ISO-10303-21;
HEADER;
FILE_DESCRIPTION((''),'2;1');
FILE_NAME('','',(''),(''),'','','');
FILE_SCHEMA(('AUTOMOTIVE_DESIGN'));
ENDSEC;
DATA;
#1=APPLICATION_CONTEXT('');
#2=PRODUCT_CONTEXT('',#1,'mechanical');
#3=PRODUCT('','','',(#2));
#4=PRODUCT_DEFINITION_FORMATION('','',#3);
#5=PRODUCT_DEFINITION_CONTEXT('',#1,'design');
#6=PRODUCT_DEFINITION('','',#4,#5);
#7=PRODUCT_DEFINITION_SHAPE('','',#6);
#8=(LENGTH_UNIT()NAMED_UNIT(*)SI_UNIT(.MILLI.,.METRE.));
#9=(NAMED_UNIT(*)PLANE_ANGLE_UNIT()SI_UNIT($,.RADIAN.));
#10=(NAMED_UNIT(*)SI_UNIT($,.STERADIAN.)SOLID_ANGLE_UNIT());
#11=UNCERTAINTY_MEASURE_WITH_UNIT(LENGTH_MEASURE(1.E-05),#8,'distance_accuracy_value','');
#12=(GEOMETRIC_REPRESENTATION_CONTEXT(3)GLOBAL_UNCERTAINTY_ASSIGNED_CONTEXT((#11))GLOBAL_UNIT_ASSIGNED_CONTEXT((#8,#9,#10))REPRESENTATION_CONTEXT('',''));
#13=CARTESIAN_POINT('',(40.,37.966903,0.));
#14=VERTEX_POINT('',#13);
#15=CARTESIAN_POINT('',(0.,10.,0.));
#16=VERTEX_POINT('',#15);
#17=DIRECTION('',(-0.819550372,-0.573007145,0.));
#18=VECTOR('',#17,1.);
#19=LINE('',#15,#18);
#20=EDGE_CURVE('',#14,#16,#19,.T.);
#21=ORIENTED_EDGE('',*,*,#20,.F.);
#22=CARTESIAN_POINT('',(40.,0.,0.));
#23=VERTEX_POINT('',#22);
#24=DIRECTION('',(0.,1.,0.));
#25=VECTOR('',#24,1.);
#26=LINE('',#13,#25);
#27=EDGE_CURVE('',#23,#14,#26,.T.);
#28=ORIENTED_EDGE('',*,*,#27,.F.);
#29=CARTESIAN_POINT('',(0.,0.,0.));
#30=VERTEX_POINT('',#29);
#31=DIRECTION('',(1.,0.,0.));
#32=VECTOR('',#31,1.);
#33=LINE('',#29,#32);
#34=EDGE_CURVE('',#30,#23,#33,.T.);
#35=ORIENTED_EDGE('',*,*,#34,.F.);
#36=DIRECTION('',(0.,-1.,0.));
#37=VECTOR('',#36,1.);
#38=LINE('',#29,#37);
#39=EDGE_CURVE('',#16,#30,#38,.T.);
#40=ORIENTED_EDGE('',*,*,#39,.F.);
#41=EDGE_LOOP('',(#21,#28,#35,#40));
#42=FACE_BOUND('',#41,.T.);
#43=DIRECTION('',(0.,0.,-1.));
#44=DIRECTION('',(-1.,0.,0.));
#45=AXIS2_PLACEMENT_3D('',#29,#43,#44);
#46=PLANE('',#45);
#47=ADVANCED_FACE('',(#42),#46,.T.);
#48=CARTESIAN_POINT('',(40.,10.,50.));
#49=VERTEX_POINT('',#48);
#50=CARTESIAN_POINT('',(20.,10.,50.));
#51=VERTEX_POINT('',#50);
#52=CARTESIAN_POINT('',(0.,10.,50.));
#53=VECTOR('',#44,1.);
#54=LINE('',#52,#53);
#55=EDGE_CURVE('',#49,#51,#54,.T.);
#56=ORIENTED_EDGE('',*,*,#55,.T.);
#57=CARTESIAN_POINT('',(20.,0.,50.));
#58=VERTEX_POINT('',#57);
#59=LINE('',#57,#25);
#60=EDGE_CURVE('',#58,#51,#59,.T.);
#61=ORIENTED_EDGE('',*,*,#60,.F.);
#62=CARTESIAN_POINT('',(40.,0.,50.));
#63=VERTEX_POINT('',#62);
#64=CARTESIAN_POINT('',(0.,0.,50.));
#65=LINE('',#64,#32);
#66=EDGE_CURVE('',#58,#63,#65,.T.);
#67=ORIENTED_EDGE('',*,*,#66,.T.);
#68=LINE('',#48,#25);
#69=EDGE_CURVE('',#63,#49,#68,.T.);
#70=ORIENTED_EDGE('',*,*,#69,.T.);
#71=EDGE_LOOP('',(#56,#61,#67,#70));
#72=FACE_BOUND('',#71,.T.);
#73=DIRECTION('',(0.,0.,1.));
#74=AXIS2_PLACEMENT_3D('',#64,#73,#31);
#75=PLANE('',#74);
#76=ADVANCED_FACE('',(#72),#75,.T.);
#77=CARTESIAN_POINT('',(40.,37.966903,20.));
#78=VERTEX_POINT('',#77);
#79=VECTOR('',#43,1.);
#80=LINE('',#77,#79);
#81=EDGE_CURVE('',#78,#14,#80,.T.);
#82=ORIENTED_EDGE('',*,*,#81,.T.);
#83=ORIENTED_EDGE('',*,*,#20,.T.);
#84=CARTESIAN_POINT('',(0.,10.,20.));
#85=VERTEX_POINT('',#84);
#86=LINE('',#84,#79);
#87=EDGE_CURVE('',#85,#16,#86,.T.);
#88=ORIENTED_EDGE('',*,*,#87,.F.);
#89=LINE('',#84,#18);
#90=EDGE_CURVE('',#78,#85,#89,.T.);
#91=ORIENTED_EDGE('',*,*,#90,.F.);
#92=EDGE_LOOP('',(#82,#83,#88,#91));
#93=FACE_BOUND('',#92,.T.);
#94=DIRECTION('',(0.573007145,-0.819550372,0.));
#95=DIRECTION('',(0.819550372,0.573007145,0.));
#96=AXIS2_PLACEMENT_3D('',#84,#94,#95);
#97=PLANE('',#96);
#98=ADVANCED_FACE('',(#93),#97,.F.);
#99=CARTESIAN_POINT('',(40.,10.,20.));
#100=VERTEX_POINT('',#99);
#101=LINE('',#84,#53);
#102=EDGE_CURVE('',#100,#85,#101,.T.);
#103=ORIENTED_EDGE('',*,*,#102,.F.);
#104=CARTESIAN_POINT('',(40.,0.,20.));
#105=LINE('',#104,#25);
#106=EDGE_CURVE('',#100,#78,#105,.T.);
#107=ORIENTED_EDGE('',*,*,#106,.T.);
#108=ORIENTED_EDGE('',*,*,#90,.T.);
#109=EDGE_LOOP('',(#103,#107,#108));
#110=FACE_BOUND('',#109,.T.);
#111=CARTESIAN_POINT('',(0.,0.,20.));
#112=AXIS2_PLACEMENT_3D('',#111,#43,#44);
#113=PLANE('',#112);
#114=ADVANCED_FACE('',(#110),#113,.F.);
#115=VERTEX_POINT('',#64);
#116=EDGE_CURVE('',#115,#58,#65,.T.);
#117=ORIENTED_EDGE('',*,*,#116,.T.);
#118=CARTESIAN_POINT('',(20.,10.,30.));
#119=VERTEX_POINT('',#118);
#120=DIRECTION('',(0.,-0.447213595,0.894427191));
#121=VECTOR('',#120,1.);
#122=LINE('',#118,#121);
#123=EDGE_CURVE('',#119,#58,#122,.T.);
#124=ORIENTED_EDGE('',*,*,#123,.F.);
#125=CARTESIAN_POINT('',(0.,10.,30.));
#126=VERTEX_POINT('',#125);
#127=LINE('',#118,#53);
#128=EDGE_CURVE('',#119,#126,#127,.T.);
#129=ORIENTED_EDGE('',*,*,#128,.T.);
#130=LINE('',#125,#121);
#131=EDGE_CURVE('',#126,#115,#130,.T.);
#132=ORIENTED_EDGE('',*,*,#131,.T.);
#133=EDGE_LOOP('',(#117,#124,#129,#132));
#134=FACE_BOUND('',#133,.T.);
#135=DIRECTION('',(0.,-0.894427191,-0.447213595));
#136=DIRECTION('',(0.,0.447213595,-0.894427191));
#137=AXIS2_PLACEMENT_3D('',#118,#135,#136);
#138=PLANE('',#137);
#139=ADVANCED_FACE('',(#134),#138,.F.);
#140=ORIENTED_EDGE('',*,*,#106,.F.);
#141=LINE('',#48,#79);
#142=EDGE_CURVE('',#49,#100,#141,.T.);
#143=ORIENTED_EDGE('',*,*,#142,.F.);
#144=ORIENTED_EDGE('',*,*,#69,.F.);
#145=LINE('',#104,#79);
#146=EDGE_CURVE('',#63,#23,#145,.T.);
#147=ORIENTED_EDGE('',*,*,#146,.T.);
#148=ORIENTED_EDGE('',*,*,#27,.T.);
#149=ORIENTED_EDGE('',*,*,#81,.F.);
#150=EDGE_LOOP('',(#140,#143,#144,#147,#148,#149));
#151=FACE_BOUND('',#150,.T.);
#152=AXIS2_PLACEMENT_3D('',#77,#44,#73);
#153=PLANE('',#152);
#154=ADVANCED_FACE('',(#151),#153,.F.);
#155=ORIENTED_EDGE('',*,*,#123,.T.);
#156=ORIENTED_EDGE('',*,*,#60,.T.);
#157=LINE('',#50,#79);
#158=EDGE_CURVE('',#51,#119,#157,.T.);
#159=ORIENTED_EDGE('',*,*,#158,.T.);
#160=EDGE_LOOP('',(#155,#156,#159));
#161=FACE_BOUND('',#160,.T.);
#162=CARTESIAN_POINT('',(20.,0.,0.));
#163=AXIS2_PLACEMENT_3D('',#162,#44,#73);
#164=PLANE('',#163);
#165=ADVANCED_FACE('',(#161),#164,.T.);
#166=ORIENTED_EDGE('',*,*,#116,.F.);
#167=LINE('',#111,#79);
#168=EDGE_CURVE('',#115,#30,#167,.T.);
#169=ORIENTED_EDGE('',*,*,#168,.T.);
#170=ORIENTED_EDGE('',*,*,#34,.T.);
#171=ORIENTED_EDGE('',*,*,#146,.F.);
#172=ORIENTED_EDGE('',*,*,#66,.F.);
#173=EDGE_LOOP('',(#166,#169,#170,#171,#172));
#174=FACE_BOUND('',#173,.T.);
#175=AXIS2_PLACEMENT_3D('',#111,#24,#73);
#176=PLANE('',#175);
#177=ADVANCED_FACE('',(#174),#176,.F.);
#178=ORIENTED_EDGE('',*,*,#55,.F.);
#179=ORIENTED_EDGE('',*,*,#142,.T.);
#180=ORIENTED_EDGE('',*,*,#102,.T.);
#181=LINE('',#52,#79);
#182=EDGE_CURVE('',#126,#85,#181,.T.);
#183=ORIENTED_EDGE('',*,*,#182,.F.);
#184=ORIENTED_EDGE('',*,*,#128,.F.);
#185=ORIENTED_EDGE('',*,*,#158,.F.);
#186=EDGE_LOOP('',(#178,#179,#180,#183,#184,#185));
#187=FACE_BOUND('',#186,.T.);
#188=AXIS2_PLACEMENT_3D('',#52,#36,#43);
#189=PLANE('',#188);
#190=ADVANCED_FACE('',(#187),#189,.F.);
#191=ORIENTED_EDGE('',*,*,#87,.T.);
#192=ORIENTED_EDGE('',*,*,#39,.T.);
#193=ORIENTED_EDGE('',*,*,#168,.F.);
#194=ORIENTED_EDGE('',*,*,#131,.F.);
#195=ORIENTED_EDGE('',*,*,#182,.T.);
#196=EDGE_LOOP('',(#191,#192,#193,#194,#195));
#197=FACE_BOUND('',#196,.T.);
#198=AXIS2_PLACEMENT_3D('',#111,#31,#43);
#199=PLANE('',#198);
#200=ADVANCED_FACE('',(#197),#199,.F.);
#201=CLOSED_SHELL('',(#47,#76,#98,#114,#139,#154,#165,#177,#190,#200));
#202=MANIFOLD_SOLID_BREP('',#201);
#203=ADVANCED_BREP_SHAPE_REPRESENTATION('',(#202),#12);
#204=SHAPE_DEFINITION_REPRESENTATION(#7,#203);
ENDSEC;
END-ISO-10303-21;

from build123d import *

# Parameters (mm, degrees)
BOSS_EXTRUDE1_DEPTH = 20
SKETCH3_W           = 40
SKETCH3_H           = 10
BOSS_EXTRUDE2_DEPTH = 30
CUT_EXTRUDE2_DEPTH  = 20


with BuildPart() as part:
    # Sketch1 → Boss-Extrude1 (new body)
    with BuildSketch(Plane.XY):
        Polygon((0, 10), (40, 37.966903073), (40, 10), (40, 0), (0, 0), align=None)
    extrude(amount=BOSS_EXTRUDE1_DEPTH)

    # Sketch3 → Boss-Extrude2 (add)
    with BuildSketch(Plane.XY.offset(20)):
        with Locations((20, 5)):
            Rectangle(SKETCH3_W, SKETCH3_H)
    extrude(amount=BOSS_EXTRUDE2_DEPTH)

    # Sketch4 → Cut-Extrude2 (cut)
    with BuildSketch(Plane.ZY):
        Polygon((50, 10), (30, 10), (50, 0), align=None)
    extrude(amount=-CUT_EXTRUDE2_DEPTH, mode=Mode.SUBTRACT)


solid = part.part
